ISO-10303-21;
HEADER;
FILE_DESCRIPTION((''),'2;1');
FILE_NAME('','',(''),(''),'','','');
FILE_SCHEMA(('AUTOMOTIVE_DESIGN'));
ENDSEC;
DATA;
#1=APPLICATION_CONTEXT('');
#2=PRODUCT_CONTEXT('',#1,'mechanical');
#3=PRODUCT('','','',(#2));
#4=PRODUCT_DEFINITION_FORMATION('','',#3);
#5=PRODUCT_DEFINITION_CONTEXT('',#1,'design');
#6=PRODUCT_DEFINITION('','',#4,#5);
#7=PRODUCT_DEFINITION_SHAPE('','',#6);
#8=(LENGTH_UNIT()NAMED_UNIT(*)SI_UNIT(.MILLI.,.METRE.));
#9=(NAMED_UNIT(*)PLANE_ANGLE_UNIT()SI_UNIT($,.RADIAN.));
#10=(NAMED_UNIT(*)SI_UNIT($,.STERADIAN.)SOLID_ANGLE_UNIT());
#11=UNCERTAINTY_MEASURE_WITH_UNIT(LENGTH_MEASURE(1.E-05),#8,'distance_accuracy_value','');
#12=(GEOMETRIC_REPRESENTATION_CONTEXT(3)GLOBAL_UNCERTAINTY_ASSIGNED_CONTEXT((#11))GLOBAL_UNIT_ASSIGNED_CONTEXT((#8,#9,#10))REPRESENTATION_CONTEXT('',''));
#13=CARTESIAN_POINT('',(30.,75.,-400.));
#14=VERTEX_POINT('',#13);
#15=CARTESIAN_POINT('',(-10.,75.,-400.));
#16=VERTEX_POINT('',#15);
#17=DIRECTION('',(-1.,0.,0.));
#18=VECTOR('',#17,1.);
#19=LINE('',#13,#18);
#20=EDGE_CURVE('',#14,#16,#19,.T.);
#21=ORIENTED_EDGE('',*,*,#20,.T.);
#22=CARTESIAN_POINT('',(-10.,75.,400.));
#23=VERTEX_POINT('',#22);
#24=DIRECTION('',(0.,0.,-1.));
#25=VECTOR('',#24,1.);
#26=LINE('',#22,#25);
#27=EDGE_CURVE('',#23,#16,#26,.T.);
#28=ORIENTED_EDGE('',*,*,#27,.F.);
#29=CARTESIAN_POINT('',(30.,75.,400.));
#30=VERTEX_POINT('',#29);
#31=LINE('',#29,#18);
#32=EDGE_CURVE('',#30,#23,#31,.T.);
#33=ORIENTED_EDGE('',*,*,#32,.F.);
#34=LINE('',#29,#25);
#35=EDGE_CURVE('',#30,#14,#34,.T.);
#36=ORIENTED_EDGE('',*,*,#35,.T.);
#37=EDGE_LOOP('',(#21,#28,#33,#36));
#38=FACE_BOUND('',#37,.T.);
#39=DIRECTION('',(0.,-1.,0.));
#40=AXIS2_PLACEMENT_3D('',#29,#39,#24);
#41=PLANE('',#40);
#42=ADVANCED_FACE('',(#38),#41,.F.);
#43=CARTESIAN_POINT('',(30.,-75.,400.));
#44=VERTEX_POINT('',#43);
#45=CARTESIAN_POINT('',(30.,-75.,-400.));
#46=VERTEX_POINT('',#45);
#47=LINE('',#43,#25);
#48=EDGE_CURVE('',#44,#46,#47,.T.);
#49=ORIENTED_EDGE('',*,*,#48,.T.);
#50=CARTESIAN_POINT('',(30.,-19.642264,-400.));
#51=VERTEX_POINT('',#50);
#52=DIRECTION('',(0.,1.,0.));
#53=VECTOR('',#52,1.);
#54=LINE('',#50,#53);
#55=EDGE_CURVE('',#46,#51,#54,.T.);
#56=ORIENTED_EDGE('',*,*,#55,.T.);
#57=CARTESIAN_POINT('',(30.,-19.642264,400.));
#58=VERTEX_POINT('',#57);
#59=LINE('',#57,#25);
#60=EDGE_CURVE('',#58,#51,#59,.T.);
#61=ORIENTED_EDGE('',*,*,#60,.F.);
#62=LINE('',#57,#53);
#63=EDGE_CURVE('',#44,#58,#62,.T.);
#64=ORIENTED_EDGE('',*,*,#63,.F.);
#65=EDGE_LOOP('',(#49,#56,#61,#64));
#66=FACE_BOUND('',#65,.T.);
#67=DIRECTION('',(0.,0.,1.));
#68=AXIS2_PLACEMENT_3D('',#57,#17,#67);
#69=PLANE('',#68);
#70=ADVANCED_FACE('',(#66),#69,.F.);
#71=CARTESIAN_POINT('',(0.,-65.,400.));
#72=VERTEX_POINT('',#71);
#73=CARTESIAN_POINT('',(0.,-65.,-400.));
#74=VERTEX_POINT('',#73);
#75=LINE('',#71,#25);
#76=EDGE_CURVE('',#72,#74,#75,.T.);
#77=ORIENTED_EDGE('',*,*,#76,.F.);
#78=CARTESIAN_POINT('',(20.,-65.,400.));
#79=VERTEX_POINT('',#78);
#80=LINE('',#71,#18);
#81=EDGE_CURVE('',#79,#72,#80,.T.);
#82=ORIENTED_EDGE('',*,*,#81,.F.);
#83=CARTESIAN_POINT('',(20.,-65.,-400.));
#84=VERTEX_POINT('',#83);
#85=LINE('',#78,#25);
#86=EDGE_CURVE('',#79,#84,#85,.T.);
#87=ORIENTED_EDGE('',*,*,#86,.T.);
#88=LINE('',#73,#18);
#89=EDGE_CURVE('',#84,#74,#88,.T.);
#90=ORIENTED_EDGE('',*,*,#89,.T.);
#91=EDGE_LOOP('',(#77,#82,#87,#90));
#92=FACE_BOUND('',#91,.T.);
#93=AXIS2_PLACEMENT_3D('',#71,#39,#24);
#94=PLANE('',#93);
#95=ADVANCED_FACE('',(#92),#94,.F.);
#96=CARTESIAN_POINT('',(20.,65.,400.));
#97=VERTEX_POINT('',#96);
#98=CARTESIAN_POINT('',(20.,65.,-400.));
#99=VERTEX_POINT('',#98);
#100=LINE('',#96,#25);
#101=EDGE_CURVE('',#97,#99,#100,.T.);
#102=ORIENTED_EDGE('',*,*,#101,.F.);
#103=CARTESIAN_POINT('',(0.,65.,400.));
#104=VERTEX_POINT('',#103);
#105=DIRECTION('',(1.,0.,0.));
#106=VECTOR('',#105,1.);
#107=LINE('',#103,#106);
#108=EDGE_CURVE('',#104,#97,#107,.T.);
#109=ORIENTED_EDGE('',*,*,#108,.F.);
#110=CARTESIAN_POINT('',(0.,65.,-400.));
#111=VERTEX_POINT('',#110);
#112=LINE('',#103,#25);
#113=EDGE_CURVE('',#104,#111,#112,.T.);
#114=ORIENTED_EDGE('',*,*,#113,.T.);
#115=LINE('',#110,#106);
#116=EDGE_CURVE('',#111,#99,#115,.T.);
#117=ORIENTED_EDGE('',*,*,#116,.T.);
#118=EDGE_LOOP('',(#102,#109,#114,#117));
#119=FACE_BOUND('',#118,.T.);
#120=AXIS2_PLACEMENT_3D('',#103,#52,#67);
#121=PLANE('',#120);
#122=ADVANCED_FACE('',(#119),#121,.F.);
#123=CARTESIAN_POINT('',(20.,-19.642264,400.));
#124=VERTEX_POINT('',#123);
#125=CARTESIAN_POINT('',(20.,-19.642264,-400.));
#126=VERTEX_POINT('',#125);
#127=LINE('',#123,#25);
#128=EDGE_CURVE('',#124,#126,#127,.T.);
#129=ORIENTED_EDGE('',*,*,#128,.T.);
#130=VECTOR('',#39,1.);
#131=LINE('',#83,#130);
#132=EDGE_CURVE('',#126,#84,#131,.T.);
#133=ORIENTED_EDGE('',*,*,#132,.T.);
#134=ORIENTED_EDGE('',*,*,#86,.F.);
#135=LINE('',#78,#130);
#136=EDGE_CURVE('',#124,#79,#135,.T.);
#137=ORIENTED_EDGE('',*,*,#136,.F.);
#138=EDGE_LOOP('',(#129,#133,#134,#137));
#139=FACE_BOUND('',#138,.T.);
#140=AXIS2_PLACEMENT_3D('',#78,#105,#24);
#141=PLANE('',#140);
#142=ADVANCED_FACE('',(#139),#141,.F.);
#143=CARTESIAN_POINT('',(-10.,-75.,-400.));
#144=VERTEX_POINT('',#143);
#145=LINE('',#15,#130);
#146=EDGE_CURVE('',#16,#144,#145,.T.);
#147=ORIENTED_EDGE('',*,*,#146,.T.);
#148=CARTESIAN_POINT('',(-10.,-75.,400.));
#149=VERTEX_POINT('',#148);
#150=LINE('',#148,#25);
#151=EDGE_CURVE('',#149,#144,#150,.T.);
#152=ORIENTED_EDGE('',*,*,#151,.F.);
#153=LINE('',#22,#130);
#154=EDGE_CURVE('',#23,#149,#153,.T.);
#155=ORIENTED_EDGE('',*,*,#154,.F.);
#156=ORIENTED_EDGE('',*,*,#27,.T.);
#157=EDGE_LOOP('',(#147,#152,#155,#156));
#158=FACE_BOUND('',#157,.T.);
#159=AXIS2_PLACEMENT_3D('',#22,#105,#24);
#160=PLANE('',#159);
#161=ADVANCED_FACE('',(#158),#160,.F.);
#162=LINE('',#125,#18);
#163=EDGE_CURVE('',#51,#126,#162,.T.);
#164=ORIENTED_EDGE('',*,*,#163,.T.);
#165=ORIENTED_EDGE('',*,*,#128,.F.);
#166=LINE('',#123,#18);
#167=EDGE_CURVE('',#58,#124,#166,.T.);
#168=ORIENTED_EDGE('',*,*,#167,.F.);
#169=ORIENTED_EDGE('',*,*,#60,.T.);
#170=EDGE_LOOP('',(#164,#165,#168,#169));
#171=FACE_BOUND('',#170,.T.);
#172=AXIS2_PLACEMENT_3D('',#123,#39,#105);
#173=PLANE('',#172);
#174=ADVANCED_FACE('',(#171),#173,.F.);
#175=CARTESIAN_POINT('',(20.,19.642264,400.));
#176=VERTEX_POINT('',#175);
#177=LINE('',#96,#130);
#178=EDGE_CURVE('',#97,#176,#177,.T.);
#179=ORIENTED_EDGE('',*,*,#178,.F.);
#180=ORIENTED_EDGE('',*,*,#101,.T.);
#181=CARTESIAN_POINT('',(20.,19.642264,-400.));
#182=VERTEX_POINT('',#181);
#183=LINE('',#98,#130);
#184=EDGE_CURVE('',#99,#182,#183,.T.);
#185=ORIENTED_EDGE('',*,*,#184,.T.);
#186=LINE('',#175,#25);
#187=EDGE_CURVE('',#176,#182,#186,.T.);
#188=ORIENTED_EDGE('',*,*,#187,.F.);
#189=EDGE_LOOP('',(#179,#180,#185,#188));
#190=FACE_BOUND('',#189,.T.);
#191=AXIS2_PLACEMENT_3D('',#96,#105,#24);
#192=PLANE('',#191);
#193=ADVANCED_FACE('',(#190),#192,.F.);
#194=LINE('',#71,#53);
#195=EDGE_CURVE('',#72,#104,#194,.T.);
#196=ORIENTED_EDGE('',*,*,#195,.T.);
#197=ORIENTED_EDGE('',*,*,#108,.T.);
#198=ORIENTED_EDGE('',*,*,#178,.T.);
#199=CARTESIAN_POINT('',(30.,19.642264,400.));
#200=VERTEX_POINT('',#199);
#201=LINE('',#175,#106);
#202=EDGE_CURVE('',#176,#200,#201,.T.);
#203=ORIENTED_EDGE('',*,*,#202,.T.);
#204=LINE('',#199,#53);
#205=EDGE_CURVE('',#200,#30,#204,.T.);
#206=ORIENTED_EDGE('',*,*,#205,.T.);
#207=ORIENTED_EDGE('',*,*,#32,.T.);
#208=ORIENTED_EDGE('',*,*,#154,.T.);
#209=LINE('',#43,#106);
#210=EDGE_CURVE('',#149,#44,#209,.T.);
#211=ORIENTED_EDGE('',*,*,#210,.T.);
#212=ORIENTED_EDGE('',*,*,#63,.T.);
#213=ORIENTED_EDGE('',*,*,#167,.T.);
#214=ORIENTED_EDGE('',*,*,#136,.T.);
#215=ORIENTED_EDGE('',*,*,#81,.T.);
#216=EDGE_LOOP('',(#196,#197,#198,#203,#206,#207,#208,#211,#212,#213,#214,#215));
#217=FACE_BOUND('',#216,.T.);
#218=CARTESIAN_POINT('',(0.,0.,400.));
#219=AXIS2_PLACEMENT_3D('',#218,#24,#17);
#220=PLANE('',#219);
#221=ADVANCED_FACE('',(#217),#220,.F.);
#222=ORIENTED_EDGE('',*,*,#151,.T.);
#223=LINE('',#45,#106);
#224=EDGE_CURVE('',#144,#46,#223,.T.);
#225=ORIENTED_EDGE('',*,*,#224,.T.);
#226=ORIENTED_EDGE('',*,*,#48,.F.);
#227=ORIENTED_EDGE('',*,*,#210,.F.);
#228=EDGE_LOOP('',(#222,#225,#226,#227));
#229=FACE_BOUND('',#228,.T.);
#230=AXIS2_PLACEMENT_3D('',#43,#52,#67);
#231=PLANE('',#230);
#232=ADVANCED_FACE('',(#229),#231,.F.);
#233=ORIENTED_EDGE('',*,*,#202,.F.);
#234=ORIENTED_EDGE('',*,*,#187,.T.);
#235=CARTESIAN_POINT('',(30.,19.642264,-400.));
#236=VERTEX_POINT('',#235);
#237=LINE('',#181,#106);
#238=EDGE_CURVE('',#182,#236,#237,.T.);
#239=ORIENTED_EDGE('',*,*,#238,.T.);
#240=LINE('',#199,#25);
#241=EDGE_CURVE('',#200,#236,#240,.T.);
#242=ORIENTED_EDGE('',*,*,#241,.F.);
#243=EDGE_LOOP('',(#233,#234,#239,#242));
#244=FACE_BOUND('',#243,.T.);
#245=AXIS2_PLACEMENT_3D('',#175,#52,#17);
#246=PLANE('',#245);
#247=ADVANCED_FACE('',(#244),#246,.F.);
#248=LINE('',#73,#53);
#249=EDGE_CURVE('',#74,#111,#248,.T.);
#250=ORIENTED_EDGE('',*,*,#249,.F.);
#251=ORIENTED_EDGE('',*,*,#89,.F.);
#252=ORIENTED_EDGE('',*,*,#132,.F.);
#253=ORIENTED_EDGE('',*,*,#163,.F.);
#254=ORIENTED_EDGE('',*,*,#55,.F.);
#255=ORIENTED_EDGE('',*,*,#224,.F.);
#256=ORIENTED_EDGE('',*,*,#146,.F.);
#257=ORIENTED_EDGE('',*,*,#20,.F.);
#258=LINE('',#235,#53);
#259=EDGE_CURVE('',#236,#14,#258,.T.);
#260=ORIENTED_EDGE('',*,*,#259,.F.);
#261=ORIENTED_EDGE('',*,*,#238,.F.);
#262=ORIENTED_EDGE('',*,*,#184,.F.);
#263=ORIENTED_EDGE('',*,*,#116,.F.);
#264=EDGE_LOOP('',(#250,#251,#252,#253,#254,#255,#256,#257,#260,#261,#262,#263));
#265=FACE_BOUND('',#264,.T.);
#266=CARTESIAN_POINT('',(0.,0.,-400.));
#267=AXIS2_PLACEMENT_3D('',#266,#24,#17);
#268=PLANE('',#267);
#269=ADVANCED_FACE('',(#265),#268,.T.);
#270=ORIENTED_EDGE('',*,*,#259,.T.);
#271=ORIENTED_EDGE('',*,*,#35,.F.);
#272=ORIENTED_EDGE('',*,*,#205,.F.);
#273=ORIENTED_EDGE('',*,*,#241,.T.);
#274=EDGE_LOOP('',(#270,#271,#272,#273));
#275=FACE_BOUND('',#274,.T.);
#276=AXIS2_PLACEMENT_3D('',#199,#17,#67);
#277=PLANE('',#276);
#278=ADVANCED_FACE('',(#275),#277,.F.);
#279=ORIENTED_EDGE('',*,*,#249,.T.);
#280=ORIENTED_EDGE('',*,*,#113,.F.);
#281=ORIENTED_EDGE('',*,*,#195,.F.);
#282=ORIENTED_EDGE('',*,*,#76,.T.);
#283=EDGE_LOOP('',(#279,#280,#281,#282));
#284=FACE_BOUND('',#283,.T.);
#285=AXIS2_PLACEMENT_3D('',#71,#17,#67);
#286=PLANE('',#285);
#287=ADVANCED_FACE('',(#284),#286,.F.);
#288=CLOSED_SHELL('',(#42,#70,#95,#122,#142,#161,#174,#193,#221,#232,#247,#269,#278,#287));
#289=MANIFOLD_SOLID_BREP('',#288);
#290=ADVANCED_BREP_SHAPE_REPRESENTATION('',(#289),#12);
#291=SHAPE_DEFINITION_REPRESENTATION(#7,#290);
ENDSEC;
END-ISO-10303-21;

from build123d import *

# Parameters (mm, degrees)
BOSS_EXTRUDE1_DEPTH = 400


with BuildPart() as part:
    # Sketch1 → Boss-Extrude1 (new body, symmetric)
    with BuildSketch(Plane.XY):
        Polygon((0, -65), (0, 65), (20, 65), (20, 19.642264487), (30, 19.642264487), (30, 75), (-10, 75), (-10, -75), (30, -75), (30, -19.642264487), (20, -19.642264487), (20, -65), align=None)
    extrude(amount=BOSS_EXTRUDE1_DEPTH, both=True)


solid = part.part
